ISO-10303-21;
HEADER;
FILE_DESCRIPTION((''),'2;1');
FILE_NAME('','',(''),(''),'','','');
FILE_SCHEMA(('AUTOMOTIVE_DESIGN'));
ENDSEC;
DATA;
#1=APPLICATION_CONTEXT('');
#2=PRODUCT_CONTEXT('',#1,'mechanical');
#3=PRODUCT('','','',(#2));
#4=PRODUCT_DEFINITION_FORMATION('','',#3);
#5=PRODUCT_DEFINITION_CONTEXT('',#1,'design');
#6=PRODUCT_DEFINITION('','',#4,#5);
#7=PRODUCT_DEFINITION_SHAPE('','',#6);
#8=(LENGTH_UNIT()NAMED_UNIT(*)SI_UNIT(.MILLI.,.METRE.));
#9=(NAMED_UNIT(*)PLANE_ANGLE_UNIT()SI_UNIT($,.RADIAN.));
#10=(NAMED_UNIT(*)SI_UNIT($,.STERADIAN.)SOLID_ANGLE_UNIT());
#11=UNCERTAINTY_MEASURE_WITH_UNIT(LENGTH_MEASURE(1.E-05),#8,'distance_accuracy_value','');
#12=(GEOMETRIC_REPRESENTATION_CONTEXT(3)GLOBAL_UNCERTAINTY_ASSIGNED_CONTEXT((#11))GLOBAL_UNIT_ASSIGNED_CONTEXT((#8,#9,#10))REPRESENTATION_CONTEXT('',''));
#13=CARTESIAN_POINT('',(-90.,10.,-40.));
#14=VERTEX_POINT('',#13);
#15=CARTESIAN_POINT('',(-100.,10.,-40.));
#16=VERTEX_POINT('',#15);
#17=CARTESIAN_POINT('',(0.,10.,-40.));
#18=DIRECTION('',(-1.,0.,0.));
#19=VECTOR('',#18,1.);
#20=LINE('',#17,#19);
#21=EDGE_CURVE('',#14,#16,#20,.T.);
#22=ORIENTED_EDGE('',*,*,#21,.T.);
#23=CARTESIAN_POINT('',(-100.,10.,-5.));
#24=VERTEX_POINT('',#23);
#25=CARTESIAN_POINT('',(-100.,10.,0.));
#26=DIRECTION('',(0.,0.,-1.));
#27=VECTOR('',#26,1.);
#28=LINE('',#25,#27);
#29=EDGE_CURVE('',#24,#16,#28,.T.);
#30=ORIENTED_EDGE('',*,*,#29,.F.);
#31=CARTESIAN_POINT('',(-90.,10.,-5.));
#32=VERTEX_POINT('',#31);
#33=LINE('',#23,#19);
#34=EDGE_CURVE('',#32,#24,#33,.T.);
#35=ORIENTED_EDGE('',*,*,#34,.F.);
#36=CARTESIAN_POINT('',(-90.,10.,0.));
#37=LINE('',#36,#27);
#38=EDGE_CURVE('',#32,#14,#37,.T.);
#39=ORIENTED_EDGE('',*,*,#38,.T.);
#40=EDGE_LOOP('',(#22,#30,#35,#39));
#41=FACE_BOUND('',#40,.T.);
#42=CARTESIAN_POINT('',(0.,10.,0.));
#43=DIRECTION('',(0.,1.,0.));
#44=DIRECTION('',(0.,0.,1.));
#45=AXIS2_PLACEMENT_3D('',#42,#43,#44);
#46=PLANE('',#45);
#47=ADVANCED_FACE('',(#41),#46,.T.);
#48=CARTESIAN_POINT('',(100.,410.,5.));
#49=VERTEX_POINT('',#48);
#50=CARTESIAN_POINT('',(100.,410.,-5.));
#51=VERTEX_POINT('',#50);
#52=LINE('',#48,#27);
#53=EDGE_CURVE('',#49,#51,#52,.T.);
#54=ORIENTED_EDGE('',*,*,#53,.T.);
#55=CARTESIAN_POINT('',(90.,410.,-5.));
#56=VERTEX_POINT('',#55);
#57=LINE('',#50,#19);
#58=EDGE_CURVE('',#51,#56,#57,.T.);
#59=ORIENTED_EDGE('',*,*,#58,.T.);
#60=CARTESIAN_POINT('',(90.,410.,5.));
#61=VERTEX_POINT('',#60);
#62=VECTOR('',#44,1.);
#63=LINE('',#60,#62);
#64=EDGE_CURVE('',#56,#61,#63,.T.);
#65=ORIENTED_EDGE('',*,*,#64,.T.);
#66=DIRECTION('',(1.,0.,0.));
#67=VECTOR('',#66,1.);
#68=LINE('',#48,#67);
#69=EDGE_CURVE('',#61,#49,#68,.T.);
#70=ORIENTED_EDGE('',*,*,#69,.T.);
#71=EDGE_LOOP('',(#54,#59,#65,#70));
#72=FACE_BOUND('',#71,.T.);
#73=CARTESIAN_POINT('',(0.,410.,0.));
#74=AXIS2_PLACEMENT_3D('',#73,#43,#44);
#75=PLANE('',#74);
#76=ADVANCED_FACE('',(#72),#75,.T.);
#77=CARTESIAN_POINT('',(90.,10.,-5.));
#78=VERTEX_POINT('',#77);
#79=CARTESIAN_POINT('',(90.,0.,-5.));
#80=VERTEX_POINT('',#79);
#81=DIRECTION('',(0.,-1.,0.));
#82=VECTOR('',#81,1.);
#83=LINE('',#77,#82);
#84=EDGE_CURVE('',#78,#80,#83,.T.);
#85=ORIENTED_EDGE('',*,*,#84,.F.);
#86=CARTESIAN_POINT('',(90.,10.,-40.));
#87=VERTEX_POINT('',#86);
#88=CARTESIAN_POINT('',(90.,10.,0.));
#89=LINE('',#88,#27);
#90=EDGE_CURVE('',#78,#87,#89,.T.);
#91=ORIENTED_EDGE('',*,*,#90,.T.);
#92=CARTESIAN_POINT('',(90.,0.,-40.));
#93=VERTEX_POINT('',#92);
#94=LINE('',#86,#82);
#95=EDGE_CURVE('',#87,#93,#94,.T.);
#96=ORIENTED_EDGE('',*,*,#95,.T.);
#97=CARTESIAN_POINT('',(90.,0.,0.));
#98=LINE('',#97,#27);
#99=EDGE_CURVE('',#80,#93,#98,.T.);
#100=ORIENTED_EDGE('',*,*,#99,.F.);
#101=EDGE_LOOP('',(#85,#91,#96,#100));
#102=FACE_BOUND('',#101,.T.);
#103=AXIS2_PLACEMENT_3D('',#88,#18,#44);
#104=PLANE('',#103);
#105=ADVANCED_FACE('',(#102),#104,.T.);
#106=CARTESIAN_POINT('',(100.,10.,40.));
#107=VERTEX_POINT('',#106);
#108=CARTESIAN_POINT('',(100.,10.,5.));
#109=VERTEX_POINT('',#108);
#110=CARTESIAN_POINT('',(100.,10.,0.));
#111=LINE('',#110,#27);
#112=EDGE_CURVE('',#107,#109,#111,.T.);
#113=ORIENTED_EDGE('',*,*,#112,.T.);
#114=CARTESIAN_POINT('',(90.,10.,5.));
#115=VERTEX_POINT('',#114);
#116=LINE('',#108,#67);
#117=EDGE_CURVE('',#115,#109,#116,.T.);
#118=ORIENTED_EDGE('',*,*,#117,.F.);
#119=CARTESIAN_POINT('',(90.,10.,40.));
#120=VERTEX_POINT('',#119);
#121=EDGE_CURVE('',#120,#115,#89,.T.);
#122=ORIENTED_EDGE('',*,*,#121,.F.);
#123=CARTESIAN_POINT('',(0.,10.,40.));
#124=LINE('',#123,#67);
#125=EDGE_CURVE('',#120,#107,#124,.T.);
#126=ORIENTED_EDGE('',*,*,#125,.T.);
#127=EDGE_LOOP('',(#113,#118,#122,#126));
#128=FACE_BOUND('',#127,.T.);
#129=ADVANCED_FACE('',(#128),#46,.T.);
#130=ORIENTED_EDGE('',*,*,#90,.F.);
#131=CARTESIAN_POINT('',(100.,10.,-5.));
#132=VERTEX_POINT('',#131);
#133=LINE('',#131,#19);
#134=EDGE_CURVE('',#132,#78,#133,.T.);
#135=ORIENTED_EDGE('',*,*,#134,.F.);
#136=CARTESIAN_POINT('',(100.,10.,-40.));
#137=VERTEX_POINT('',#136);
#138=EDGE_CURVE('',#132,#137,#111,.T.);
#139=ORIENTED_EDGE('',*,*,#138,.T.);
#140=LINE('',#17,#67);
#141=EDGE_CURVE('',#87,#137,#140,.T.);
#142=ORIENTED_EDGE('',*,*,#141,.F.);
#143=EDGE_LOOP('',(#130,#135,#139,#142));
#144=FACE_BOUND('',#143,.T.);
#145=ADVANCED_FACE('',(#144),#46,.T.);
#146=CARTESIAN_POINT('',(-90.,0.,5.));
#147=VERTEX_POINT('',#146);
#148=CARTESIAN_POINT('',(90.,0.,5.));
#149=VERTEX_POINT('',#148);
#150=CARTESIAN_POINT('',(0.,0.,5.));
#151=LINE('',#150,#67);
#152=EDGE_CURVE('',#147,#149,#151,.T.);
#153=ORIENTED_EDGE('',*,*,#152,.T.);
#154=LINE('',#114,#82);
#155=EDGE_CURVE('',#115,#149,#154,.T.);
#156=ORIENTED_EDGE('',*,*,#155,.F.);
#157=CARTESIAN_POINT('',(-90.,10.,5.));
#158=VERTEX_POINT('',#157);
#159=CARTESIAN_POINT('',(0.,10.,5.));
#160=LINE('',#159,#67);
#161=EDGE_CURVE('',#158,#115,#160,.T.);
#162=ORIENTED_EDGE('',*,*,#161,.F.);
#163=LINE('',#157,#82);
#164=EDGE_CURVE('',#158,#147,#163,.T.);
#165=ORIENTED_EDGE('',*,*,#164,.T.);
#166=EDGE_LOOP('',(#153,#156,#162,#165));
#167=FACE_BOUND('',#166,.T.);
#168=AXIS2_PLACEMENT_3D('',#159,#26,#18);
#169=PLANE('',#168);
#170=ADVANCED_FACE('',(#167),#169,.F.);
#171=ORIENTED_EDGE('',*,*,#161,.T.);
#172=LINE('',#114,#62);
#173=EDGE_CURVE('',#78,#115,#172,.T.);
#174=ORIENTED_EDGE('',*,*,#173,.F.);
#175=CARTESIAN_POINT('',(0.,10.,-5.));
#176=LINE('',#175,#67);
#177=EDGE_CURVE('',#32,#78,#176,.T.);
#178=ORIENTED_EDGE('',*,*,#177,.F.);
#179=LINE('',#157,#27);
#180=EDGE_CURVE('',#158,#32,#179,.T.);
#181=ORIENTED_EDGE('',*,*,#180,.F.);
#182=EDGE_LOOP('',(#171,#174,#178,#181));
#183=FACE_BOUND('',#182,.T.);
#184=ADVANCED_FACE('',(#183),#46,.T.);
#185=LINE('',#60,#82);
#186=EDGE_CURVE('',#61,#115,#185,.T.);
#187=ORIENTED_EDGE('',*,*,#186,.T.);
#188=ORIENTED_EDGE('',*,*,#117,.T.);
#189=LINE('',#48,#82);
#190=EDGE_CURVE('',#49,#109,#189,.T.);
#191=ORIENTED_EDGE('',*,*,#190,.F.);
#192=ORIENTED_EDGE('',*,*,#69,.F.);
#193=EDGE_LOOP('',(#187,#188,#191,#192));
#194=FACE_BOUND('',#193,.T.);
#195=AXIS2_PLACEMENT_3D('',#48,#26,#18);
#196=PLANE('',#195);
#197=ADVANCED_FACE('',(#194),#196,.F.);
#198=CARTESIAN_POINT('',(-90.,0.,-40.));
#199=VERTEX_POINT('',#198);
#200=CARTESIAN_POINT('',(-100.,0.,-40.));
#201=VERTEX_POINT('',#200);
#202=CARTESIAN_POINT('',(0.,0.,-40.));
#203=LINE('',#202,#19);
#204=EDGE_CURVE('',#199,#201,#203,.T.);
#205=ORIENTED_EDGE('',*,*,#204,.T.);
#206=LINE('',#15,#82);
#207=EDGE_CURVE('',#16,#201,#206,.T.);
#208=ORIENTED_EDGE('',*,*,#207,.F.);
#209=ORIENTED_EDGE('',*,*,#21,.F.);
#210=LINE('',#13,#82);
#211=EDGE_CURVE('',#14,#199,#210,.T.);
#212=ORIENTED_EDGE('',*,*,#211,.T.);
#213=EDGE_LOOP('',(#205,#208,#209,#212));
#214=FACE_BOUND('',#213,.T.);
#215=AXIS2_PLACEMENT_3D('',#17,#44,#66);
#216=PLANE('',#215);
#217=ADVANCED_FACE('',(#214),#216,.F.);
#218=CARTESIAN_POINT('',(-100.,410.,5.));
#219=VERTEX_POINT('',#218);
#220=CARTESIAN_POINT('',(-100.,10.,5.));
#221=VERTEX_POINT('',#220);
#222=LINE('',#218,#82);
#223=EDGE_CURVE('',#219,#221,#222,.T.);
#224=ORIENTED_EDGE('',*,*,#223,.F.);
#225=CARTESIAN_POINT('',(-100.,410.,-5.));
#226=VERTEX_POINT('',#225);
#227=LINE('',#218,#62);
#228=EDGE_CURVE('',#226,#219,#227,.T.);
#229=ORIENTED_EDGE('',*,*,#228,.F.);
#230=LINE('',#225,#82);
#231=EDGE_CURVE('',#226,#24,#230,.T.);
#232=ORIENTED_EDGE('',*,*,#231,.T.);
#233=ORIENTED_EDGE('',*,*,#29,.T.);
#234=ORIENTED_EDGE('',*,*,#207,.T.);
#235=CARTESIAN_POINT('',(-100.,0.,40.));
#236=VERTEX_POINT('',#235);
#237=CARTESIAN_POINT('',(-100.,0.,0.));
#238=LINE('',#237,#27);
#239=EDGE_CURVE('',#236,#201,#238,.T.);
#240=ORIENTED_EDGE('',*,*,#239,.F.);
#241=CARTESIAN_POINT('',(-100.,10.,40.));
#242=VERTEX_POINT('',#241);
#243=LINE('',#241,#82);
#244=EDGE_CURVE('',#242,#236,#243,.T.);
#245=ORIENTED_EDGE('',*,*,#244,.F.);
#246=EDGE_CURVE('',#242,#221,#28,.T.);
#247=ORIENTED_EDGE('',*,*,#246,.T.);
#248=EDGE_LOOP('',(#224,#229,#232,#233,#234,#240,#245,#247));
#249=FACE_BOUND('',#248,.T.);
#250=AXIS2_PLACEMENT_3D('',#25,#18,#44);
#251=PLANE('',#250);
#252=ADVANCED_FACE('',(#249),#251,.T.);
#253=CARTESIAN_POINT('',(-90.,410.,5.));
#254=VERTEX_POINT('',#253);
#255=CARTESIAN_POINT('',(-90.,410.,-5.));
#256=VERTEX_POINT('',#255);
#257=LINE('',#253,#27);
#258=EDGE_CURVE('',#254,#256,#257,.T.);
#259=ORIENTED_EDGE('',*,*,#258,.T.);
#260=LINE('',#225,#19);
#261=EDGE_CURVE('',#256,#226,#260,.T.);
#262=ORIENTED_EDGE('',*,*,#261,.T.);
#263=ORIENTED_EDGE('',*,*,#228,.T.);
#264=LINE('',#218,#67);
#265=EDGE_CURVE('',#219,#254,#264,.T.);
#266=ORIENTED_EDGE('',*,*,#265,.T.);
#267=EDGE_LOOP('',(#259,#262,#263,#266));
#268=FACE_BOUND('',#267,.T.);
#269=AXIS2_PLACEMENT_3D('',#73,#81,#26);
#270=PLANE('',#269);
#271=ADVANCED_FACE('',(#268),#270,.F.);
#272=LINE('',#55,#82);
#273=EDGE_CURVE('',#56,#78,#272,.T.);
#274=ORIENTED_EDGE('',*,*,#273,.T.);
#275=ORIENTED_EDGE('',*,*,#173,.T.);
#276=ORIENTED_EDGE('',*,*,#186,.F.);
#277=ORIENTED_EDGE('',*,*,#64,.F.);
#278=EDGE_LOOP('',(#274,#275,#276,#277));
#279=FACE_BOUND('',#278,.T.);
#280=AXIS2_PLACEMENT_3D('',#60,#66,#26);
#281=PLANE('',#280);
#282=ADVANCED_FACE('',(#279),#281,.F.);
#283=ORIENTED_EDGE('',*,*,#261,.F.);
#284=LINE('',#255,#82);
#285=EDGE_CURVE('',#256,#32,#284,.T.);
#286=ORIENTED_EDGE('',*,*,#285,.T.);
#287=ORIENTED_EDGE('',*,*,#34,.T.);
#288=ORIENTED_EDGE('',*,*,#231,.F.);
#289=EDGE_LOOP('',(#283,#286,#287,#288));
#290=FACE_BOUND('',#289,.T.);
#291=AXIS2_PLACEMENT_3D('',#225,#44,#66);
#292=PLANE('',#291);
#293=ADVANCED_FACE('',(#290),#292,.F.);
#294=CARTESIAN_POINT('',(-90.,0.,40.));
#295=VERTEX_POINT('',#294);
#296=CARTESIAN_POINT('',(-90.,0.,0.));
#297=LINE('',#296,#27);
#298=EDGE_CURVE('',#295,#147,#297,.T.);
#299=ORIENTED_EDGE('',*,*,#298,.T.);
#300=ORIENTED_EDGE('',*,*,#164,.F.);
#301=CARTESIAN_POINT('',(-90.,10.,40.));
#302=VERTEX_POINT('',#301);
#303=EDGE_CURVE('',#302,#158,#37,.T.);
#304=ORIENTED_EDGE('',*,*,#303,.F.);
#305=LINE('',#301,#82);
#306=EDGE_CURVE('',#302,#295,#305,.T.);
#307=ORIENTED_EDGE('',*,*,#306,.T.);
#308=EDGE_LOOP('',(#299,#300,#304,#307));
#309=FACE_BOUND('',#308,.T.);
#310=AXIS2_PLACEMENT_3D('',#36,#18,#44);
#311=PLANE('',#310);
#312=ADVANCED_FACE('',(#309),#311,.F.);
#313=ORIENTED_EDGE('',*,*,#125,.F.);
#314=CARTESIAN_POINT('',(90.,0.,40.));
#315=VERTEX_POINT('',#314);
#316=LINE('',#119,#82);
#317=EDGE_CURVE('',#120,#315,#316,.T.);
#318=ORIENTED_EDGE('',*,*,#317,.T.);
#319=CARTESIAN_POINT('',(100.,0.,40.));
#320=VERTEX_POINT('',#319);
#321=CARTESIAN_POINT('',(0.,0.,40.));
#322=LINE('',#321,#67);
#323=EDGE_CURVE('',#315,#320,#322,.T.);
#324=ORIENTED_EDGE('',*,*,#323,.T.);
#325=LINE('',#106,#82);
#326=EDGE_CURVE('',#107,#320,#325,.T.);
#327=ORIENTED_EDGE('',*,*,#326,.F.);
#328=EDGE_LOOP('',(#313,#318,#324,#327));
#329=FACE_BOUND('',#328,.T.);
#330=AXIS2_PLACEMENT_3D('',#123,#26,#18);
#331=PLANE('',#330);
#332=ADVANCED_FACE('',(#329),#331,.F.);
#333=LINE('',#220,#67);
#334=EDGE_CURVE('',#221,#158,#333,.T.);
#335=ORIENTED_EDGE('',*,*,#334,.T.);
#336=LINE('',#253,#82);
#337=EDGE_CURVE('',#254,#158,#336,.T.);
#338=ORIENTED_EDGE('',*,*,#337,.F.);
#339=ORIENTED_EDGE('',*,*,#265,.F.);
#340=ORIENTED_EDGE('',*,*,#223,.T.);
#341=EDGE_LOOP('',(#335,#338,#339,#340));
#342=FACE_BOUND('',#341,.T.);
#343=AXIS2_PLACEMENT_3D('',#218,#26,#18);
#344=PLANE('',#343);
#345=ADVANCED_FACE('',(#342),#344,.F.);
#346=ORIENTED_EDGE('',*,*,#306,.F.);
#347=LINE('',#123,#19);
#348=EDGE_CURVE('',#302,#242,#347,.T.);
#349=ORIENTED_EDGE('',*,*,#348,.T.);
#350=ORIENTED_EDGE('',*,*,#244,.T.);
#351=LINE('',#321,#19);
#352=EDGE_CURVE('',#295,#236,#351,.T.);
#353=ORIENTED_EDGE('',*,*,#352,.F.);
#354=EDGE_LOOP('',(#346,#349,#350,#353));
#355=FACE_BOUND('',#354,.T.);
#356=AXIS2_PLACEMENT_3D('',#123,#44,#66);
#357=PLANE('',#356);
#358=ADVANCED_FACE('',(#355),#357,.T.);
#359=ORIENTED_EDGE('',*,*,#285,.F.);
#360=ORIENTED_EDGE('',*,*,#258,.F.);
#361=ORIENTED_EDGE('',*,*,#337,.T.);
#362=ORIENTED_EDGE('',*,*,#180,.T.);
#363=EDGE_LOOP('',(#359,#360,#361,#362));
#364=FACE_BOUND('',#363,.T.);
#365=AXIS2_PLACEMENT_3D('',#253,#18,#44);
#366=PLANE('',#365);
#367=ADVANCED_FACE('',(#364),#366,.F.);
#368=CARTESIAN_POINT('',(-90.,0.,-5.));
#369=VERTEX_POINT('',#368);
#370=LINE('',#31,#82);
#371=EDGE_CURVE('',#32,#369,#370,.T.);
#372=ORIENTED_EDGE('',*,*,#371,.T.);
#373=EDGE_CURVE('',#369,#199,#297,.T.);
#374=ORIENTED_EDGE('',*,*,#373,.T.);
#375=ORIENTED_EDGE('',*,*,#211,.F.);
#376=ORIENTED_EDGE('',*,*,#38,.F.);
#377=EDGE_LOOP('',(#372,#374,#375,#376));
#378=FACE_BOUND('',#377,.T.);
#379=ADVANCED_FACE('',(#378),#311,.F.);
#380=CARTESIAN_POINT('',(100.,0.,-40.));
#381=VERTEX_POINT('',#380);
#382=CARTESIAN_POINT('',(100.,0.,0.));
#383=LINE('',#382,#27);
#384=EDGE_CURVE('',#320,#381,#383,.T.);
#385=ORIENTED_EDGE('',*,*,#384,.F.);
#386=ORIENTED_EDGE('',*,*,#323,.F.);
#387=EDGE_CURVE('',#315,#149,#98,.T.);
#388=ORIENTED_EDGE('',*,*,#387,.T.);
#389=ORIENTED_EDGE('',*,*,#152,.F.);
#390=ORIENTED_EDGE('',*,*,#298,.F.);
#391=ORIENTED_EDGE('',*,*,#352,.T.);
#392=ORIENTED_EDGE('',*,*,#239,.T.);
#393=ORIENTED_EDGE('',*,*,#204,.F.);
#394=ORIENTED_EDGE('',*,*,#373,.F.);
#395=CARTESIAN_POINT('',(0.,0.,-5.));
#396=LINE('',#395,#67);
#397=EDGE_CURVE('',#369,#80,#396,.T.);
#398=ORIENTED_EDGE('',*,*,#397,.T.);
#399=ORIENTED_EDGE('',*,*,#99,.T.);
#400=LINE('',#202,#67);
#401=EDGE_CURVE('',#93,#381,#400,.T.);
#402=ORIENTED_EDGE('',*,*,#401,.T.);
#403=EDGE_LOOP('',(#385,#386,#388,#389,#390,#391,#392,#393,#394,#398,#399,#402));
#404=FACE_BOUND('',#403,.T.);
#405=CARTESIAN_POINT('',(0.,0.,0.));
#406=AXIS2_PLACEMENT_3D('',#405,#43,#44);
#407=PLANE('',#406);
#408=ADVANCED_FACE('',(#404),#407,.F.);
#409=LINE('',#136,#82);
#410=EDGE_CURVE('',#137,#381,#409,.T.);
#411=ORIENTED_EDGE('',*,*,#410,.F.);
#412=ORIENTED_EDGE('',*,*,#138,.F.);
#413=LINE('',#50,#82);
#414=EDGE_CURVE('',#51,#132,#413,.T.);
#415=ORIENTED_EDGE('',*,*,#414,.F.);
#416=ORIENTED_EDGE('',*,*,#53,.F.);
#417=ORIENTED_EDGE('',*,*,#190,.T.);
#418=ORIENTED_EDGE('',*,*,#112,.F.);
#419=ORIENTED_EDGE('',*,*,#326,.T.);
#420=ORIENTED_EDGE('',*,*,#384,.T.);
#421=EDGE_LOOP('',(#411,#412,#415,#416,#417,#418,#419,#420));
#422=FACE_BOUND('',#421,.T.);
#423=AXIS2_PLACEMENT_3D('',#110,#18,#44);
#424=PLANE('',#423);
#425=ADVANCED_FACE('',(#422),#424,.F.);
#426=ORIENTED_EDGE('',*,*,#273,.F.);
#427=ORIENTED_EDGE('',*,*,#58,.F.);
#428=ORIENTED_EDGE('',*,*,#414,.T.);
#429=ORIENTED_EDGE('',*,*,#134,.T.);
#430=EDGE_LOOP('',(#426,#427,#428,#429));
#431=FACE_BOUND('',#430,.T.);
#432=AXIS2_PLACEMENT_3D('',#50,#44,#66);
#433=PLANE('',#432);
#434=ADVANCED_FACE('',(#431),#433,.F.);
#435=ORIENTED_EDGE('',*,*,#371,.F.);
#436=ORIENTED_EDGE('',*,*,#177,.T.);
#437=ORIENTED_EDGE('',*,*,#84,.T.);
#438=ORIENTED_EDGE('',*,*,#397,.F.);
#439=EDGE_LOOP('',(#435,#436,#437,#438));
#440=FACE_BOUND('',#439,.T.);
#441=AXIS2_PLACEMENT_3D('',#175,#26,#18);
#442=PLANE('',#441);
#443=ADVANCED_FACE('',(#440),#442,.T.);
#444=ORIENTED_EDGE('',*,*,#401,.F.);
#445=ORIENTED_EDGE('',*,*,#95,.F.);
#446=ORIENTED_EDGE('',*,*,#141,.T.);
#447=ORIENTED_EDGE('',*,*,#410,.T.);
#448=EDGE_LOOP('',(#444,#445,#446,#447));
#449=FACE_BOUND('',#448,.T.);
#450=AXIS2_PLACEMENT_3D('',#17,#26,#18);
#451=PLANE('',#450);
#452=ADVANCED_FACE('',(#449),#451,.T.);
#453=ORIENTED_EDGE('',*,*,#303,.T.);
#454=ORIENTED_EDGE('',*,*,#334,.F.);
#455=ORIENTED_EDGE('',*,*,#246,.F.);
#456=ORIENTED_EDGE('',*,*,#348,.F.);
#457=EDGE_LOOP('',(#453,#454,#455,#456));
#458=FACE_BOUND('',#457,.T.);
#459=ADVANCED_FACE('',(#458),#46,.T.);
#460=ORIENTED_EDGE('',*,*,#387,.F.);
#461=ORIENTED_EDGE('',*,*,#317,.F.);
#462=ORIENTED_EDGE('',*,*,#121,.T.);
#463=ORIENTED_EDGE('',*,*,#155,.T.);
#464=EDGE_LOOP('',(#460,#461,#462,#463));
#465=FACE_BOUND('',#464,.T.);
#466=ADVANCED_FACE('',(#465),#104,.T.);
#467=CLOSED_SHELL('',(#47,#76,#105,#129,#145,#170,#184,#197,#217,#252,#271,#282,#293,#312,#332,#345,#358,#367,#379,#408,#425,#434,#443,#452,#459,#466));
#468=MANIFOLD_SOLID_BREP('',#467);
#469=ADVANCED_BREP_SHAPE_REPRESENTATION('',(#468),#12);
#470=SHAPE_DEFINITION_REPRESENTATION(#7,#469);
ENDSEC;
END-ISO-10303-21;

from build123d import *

# Parameters (mm, degrees)
SKETCH_1_W      = 10
SKETCH_1_H      = 10
SKETCH_1_W_2    = 180
SKETCH_1_H_2    = 35
EXTRUDE_1_DEPTH = 10
SKETCH_2_W      = 10
SKETCH_2_H      = 10
EXTRUDE_2_DEPTH = 400


with BuildPart() as part:
    # 草图1 → 凸台-拉伸1 (new body)
    with BuildSketch(Plane(origin=(0, 0, 0), x_dir=(1, 0, 0), z_dir=(0, 1, 0))):
        with Locations((-95, 0)):
            Rectangle(SKETCH_1_W, SKETCH_1_H)
        Rectangle(SKETCH_1_W_2, SKETCH_1_H)
        with Locations((-95, -22.5)):
            Rectangle(SKETCH_1_W, SKETCH_1_H_2)
        with Locations((-95, 22.5)):
            Rectangle(SKETCH_1_W, SKETCH_1_H_2)
        with Locations((95, 22.5)):
            Rectangle(SKETCH_1_W, SKETCH_1_H_2)
        with Locations((95, 0)):
            Rectangle(SKETCH_1_W, SKETCH_1_H)
        with Locations((95, -22.5)):
            Rectangle(SKETCH_1_W, SKETCH_1_H_2)
    extrude(amount=EXTRUDE_1_DEPTH)

    # 草图2 → 凸台-拉伸2 (add)
    with BuildSketch(Plane(origin=(0, 10, 0), x_dir=(1, 0, 0), z_dir=(0, 1, 0))):
        with Locations((-95, 0)):
            Rectangle(SKETCH_2_W, SKETCH_2_H)
        with Locations((95, 0)):
            Rectangle(SKETCH_2_W, SKETCH_2_H)
    extrude(amount=EXTRUDE_2_DEPTH)


solid = part.part
